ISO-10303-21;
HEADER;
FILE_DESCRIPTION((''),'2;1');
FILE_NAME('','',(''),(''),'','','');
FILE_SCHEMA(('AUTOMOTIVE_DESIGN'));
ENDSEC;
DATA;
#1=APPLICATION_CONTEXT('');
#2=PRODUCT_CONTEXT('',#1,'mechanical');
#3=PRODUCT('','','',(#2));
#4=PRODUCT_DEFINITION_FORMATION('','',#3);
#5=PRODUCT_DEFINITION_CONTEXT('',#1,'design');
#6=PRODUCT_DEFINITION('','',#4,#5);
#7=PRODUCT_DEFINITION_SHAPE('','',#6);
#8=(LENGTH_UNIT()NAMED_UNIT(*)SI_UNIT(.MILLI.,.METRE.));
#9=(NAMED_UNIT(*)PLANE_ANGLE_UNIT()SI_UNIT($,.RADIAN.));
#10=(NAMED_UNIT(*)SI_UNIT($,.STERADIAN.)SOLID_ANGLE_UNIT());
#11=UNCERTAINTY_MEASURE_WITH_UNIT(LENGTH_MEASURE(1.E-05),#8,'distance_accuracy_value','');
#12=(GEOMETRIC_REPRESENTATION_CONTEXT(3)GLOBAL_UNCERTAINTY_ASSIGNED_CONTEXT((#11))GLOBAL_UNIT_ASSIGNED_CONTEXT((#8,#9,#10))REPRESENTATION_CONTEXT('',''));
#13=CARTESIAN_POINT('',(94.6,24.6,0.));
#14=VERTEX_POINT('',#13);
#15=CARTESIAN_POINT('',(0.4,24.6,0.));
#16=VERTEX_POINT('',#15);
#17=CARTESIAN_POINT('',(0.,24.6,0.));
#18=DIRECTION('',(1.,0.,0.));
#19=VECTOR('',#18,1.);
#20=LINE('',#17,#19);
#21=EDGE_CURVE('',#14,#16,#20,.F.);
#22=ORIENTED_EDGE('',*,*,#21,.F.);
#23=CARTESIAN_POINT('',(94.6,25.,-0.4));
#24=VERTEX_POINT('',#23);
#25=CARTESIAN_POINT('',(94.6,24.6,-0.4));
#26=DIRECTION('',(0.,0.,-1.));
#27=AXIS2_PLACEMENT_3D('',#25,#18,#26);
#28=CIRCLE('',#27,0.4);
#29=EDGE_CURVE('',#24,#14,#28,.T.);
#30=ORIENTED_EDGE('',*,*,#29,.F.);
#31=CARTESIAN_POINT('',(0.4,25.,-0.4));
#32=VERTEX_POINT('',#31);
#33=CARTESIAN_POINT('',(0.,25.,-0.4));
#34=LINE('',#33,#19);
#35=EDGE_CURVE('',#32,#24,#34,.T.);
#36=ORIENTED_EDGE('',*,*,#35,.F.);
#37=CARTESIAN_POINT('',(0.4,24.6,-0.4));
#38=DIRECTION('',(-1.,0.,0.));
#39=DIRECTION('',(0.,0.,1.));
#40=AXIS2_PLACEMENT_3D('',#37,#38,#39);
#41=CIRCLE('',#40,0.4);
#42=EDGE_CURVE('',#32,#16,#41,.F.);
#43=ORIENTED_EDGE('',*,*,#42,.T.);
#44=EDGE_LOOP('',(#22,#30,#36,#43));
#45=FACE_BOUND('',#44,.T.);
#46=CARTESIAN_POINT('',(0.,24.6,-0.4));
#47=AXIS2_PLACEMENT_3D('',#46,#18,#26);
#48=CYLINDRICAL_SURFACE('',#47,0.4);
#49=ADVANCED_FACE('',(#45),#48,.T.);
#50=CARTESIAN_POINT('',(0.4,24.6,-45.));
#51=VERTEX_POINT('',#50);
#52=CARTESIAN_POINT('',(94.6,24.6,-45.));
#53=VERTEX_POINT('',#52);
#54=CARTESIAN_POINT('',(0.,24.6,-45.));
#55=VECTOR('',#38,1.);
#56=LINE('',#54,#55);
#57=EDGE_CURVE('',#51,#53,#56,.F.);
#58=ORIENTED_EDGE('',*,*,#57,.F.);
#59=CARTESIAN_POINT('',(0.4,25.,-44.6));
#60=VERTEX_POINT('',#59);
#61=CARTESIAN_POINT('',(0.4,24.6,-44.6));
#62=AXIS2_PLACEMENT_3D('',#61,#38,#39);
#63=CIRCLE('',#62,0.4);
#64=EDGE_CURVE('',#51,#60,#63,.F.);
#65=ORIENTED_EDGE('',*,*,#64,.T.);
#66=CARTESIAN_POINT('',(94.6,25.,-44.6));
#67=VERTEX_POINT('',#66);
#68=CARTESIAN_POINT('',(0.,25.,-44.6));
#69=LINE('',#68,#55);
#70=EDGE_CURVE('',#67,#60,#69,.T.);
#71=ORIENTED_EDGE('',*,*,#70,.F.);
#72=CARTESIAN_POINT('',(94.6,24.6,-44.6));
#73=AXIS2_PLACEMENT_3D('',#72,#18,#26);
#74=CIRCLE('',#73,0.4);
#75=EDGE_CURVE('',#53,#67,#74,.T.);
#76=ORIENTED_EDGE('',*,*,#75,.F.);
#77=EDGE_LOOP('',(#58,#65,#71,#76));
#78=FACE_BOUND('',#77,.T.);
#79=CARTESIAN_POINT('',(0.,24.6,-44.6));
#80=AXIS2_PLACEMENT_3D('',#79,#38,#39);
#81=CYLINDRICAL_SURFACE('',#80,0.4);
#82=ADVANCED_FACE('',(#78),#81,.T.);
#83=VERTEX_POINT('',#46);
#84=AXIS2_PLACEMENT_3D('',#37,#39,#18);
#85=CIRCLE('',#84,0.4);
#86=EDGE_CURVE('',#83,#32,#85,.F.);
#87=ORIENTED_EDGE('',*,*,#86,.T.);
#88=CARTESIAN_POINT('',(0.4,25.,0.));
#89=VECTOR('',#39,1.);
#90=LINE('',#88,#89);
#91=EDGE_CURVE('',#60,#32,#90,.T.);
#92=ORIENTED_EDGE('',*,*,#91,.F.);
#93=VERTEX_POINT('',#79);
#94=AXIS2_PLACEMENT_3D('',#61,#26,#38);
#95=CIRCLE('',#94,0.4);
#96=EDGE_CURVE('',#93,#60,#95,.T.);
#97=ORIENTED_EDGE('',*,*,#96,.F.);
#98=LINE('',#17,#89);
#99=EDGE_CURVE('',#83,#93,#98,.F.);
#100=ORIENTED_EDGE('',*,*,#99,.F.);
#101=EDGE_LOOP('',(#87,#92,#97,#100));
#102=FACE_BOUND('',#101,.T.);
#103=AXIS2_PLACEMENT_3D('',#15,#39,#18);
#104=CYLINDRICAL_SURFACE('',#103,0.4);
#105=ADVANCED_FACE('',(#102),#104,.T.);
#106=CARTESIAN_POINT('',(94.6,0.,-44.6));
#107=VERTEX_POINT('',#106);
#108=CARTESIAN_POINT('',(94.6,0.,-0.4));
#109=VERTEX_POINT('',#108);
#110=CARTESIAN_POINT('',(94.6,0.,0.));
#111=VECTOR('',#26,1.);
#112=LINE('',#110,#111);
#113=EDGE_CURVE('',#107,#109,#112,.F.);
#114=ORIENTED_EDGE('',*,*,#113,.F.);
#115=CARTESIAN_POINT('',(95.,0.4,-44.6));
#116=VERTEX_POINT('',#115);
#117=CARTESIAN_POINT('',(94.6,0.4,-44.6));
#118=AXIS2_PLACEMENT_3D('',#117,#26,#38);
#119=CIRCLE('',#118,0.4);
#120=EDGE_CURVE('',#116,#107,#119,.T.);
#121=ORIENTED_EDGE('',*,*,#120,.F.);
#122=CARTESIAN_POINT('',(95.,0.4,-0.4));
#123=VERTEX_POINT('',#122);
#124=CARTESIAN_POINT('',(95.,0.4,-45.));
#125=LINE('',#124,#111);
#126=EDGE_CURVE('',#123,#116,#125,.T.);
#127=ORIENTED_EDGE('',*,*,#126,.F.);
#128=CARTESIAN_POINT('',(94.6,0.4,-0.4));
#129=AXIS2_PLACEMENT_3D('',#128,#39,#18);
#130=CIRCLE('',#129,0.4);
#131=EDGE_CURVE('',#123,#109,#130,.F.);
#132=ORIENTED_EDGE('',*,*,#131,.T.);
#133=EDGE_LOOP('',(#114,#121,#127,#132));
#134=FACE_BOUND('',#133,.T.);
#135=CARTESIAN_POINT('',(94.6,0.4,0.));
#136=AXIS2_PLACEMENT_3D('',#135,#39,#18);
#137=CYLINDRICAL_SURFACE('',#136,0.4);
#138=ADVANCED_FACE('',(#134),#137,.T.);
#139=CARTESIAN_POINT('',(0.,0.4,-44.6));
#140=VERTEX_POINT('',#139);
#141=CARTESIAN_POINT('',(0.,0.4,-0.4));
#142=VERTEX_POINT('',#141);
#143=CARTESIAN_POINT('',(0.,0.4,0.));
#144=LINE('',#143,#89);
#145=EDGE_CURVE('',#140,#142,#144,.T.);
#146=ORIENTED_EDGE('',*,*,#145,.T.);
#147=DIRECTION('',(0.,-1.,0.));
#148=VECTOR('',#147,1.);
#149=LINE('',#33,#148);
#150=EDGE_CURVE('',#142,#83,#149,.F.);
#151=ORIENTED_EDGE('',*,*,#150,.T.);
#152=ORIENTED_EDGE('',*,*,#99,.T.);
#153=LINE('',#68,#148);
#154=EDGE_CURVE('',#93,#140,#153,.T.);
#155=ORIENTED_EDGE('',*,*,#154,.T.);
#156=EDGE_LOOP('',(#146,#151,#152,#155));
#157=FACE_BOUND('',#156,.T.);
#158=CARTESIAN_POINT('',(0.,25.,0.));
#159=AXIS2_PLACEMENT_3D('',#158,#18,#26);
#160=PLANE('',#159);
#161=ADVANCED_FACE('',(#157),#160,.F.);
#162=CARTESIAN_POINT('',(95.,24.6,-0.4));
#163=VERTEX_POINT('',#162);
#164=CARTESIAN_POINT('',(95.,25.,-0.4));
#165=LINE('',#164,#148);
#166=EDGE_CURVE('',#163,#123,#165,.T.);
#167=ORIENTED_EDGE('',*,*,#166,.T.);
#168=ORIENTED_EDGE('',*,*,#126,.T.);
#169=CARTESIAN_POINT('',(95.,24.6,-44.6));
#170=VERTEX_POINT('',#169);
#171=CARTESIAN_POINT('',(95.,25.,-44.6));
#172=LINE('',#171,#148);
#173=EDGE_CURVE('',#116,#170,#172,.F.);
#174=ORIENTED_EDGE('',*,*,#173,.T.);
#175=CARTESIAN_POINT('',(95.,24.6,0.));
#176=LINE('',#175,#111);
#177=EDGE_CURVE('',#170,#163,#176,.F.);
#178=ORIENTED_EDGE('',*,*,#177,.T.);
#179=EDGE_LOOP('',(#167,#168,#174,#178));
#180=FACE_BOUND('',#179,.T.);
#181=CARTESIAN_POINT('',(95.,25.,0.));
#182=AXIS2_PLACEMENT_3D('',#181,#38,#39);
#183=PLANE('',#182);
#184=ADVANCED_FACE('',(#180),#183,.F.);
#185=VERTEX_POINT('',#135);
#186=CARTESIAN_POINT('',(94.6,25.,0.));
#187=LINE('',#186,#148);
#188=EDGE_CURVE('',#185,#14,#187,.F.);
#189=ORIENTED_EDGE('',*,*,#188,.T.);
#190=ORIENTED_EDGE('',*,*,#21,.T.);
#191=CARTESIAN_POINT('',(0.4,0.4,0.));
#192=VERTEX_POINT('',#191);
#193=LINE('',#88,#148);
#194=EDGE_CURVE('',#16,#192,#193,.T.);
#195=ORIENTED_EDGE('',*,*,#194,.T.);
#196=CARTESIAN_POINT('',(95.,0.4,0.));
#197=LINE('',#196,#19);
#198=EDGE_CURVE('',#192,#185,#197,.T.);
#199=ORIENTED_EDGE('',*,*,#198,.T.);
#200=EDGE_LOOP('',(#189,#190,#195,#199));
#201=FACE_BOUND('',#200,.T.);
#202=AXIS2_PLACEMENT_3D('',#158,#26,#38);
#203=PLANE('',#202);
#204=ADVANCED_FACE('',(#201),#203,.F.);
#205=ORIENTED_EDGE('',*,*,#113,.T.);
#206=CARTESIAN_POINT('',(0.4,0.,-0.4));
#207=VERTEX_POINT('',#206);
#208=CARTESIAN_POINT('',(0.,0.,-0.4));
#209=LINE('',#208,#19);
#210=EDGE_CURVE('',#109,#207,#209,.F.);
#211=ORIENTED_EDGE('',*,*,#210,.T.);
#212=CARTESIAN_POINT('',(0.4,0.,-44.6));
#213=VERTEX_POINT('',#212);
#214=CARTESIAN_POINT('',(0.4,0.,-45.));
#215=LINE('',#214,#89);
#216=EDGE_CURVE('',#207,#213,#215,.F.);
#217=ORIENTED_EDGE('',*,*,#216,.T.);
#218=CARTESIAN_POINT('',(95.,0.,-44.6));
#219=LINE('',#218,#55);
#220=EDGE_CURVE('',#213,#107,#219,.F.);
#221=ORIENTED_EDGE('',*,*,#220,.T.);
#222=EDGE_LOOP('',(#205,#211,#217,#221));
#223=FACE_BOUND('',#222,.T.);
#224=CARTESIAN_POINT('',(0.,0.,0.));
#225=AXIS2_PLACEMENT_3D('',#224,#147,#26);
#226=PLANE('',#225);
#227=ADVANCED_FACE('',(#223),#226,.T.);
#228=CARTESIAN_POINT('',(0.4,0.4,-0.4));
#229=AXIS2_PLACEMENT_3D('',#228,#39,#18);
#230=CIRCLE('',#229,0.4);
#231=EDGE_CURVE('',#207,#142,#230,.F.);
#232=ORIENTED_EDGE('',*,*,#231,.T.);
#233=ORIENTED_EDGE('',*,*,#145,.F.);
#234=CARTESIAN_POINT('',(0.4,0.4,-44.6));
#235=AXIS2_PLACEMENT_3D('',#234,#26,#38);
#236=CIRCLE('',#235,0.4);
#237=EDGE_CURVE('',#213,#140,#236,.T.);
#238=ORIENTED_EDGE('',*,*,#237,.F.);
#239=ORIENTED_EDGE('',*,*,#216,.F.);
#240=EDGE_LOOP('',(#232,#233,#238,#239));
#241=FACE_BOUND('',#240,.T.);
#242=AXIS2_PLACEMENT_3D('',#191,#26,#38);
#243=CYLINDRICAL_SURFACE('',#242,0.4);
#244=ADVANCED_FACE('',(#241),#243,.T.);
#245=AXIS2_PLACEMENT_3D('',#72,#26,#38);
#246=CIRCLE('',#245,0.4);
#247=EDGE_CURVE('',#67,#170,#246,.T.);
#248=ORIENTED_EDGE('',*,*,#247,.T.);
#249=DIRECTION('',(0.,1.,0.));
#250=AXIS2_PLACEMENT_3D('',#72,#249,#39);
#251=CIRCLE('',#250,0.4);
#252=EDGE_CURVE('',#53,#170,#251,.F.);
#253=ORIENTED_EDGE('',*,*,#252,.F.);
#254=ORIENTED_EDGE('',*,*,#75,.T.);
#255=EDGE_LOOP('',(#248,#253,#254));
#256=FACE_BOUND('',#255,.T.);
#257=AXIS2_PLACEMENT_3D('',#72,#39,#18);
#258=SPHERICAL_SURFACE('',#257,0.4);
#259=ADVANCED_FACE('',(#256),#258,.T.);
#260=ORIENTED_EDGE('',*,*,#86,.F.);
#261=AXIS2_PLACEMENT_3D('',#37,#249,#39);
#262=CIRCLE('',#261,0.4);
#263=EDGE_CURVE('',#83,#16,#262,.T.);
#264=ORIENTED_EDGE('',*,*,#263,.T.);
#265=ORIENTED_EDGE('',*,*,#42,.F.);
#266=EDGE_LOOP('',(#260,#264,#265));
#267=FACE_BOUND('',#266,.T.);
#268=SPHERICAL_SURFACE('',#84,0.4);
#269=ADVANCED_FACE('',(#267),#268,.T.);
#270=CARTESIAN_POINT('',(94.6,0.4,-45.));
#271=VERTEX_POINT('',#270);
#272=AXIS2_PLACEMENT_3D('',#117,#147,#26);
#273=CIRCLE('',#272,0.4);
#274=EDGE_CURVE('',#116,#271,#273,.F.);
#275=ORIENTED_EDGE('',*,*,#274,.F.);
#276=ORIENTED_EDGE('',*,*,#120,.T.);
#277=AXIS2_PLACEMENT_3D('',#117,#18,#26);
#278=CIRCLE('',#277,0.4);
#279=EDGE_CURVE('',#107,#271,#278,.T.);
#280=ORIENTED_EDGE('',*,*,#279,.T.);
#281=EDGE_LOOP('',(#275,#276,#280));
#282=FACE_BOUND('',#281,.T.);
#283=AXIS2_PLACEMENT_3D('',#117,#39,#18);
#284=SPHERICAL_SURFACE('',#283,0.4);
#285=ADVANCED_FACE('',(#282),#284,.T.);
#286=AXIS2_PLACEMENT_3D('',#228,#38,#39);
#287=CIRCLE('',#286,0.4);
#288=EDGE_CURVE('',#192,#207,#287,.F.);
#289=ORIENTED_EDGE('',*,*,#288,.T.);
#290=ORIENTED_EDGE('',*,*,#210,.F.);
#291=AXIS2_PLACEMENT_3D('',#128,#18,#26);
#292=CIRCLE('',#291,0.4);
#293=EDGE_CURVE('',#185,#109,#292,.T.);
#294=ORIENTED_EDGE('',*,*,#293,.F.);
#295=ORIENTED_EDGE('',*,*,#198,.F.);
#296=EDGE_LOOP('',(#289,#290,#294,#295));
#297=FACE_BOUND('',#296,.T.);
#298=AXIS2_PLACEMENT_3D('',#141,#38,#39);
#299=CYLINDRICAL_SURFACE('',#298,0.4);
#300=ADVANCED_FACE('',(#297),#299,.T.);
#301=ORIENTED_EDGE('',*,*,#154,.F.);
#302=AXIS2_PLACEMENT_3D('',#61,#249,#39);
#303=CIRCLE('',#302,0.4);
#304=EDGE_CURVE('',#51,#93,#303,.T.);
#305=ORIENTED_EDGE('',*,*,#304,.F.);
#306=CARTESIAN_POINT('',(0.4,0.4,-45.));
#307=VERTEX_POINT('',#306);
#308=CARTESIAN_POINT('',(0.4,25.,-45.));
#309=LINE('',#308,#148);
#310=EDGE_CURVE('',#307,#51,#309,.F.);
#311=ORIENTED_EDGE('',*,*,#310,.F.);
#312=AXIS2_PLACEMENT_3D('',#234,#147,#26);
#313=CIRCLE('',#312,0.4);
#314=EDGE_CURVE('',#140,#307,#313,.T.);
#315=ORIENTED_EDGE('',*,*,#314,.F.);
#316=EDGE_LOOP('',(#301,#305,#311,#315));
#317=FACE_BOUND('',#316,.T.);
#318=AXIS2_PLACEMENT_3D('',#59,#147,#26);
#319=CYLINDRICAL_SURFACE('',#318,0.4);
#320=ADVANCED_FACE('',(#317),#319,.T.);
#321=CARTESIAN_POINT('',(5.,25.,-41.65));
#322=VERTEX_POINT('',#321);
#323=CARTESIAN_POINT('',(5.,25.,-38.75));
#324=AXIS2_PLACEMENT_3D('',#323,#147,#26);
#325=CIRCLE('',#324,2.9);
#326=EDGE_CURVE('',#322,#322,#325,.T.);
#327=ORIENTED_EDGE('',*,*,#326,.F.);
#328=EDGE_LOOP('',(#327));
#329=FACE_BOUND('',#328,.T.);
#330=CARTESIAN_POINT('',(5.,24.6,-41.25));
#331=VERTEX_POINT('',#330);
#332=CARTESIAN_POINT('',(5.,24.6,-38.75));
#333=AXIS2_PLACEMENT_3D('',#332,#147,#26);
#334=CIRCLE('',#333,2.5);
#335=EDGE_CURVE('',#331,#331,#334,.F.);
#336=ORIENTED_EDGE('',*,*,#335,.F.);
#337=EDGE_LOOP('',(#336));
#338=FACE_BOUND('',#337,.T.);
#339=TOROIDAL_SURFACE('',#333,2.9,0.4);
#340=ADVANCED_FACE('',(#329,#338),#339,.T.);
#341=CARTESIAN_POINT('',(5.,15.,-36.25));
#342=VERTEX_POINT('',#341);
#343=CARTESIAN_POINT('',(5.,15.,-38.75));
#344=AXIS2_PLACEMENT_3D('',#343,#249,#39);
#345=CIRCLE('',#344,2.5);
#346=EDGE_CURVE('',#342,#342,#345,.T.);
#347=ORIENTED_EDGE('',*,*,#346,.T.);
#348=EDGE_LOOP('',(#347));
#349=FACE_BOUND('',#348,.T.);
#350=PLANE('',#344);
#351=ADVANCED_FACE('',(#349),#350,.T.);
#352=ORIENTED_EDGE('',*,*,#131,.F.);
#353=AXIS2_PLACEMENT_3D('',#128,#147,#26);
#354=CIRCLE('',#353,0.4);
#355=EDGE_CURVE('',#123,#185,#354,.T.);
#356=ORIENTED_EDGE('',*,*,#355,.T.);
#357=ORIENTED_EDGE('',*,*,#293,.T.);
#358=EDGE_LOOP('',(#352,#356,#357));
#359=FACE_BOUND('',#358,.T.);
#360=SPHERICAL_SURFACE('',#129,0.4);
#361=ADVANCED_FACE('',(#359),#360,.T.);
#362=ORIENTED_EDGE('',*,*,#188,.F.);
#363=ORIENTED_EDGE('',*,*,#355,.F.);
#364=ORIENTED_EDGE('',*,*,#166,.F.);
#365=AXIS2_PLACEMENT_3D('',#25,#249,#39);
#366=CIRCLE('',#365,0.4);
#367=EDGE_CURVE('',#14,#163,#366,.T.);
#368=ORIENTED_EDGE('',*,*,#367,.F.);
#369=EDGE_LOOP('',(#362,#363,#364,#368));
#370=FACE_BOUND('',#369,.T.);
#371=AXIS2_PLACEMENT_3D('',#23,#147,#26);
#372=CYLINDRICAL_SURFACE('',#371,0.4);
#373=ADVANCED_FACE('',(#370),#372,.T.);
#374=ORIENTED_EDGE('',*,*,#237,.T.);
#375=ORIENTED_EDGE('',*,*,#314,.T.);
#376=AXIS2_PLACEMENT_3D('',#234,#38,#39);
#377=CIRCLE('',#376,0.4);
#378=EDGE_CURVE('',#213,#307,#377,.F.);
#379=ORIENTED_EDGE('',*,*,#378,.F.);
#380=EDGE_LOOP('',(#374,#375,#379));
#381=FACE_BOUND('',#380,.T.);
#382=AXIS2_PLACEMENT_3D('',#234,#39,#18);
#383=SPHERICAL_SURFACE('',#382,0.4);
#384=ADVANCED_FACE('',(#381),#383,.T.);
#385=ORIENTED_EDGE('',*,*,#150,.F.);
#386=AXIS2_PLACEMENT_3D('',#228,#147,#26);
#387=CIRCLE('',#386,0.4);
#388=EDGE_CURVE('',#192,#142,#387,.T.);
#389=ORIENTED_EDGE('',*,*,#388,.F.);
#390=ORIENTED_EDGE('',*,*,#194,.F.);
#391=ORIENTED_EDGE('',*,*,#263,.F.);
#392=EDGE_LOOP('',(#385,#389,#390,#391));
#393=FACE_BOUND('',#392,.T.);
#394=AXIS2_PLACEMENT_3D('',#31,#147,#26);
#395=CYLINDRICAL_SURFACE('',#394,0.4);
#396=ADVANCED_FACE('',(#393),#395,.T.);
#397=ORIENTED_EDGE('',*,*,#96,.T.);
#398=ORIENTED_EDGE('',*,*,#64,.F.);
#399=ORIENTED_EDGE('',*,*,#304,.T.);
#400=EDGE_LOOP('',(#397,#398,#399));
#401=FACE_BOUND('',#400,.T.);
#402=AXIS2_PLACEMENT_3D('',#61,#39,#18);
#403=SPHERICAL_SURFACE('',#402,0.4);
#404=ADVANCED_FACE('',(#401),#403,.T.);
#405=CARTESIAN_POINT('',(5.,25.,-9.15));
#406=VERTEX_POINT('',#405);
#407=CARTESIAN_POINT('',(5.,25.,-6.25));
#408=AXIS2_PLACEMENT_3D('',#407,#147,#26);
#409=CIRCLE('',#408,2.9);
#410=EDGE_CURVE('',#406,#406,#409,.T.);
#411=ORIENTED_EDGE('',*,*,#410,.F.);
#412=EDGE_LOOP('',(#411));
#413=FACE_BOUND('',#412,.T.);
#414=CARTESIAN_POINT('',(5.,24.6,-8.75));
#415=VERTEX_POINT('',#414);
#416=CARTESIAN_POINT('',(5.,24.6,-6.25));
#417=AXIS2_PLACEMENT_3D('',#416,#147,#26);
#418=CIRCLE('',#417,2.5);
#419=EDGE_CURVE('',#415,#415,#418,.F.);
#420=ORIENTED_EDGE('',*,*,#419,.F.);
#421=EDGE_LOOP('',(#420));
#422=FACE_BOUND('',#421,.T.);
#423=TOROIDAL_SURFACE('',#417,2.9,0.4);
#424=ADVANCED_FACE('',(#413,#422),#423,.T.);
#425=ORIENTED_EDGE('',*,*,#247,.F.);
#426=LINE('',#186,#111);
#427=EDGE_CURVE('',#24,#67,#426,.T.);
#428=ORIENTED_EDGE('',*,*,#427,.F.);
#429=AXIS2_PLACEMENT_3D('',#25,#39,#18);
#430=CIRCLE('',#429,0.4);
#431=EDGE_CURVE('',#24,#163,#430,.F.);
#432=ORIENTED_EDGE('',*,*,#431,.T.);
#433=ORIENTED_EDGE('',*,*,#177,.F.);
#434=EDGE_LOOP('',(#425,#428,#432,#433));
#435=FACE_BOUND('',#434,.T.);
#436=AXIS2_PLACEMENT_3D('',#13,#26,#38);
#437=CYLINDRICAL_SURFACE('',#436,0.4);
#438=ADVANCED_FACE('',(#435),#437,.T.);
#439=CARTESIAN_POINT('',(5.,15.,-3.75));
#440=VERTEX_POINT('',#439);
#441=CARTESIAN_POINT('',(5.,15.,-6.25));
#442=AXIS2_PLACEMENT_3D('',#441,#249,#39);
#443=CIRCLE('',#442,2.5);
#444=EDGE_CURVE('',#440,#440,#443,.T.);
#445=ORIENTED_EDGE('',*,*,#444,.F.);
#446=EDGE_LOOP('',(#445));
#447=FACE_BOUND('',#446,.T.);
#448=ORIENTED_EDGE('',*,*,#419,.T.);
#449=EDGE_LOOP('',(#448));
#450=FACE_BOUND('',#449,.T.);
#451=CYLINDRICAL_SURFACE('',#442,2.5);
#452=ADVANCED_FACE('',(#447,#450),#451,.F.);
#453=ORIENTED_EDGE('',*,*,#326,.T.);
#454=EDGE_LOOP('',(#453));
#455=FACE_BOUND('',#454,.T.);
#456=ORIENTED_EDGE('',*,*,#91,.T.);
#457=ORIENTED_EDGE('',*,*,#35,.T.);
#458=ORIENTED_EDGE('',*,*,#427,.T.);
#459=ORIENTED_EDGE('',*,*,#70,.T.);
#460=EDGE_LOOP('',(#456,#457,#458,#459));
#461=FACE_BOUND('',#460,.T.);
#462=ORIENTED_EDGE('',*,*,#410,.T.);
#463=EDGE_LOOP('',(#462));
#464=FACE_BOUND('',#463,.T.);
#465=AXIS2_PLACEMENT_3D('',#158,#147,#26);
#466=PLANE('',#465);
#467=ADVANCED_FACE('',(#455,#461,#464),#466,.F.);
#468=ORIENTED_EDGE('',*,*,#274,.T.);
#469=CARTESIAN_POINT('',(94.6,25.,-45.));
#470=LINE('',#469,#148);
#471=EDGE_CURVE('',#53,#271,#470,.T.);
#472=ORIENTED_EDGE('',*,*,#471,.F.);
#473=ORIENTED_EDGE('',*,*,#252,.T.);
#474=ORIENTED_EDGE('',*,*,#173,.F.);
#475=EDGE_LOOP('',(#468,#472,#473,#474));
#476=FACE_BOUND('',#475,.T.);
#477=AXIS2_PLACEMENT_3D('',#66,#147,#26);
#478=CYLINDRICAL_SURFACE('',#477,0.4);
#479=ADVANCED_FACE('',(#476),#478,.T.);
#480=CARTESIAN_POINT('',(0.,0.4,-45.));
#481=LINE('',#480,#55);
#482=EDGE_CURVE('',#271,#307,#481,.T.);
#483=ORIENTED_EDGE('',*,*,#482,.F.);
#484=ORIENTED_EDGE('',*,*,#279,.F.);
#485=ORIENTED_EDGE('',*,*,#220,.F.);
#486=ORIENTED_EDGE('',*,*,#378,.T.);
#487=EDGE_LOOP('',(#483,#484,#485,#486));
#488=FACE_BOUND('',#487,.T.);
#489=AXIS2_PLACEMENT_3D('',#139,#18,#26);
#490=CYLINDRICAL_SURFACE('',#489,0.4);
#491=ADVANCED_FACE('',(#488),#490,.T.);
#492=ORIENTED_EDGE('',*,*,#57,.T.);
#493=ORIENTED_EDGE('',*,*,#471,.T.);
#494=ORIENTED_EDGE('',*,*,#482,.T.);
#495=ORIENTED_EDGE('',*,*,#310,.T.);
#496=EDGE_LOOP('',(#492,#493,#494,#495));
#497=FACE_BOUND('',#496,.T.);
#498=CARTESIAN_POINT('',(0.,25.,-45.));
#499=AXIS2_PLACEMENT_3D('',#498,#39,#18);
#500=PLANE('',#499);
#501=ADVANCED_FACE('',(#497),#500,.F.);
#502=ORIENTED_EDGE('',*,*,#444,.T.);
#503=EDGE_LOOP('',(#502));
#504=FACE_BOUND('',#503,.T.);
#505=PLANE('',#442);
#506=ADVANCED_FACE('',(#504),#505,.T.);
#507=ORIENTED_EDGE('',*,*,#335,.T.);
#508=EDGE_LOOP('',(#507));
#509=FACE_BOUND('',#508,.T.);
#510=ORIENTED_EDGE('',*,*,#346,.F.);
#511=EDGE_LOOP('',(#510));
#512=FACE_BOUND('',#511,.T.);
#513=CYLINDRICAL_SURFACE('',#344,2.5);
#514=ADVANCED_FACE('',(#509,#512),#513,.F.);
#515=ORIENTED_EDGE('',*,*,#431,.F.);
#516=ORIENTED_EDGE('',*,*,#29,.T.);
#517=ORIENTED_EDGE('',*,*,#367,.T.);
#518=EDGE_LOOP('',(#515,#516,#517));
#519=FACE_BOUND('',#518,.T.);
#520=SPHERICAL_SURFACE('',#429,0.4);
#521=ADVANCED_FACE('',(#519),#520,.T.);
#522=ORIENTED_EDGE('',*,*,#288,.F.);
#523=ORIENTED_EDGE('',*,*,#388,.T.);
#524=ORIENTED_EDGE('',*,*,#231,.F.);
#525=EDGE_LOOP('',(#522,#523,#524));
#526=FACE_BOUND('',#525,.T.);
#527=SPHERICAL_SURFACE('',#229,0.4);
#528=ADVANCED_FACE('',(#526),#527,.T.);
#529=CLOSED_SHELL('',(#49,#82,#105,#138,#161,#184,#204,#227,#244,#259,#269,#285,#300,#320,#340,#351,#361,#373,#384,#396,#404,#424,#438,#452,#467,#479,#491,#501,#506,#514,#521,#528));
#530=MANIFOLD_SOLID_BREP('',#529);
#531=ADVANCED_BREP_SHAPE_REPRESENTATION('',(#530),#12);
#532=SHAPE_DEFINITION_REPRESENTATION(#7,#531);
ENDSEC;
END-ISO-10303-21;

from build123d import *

# Parameters (mm, degrees)
SKETCH1_W           = 95
SKETCH1_H           = 45
BOSS_EXTRUDE1_DEPTH = 25
SKETCH2_R           = 2.5
CUT_EXTRUDE1_DEPTH  = 10
FILLET1_R           = 0.4


with BuildPart() as part:
    # Sketch1 → Boss-Extrude1 (new body)
    with BuildSketch(Plane(origin=(0, 0, 0), x_dir=(1, 0, 0), z_dir=(0, 1, 0))):
        with Locations((47.5, 22.5)):
            Rectangle(SKETCH1_W, SKETCH1_H)
    extrude(amount=BOSS_EXTRUDE1_DEPTH)

    # Sketch2 → Cut-Extrude1 (cut)
    with BuildSketch(Plane(origin=(0, 25, 0), x_dir=(1, 0, 0), z_dir=(0, 1, 0))):
        with Locations(Location((5, 38.75, 0), (0, 0, 270))):
            Circle(SKETCH2_R)
        with Locations(Location((5, 6.25, 0), (0, 0, 270))):
            Circle(SKETCH2_R)
    extrude(amount=-CUT_EXTRUDE1_DEPTH, mode=Mode.SUBTRACT)

    # Fillet1
    fillet1_edges = [part.edges().sort_by_distance(p)[0] for p in [
        (95, 25, -22.5),
        (5, 25, -41.25),
        (47.5, 25, -45),
        (5, 25, -8.75),
        (0, 25, -22.5),
        (47.5, 0, -45),
        (95, 0, -22.5),
        (47.5, 0, 0),
        (0, 0, -22.5),
        (0, 12.5, -45),
        (95, 12.5, -45),
        (95, 12.5, 0),
        (0, 12.5, 0),
        (47.5, 25, 0),
    ]]
    fillet(fillet1_edges, radius=FILLET1_R)


solid = part.part
